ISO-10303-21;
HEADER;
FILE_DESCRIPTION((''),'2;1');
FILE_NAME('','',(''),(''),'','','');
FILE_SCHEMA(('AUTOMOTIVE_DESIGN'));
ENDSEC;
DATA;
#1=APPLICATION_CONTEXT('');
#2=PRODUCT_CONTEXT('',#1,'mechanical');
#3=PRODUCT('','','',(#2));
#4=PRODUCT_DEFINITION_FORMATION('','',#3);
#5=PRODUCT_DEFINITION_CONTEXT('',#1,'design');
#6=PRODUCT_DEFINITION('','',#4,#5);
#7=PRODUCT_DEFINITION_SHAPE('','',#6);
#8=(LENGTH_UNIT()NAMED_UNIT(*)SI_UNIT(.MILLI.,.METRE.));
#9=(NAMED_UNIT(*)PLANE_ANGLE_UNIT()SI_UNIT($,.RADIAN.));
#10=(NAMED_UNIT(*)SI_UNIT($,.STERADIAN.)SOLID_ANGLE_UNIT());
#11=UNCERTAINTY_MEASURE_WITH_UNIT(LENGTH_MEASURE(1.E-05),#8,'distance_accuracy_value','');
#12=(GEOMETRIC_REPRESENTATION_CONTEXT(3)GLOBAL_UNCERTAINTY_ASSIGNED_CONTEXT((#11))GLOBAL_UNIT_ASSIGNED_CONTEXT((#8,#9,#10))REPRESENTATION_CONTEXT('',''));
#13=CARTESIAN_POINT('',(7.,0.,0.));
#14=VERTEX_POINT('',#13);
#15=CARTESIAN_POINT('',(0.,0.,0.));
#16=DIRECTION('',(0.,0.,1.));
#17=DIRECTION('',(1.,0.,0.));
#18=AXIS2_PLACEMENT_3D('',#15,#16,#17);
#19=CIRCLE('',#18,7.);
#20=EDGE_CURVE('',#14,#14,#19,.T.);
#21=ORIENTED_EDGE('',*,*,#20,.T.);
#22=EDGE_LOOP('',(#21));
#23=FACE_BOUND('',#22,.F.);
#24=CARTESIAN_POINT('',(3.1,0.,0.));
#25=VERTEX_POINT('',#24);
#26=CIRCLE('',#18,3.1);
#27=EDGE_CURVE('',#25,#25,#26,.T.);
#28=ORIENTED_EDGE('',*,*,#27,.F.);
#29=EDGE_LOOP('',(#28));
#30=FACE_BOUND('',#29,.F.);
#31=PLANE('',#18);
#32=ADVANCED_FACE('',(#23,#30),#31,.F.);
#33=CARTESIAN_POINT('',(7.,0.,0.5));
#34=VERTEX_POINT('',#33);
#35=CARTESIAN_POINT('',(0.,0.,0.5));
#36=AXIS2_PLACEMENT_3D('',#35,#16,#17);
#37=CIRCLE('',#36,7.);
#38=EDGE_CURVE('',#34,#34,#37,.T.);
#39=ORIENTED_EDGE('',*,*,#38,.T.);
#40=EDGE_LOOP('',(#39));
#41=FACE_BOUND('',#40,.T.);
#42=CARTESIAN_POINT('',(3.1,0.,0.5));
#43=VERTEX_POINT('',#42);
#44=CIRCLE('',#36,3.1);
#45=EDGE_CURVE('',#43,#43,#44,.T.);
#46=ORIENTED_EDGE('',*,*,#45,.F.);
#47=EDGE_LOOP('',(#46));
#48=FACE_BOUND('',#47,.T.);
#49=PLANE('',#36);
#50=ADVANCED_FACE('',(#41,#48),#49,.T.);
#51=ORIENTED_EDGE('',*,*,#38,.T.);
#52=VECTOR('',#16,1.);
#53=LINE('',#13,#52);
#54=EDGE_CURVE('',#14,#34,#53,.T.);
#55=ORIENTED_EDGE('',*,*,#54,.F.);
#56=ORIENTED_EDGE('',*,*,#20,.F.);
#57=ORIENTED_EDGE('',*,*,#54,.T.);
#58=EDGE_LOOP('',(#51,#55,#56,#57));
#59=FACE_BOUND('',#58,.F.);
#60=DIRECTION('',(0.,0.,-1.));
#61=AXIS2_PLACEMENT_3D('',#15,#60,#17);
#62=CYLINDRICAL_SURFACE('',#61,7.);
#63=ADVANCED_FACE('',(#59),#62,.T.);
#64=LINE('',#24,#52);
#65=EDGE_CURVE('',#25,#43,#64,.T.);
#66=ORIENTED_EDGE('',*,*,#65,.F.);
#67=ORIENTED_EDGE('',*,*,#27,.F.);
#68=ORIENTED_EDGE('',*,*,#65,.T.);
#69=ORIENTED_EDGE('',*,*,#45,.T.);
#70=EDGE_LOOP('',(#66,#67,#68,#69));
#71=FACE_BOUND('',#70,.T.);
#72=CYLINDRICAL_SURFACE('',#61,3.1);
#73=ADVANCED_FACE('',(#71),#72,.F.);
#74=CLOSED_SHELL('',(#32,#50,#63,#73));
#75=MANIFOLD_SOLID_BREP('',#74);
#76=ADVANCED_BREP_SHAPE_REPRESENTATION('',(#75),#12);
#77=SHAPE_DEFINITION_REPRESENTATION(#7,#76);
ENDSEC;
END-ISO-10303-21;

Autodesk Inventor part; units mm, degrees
ref_plane "YZ Plane" through (0, 0, 0) normal (1, 0, 0) x (0, 1, 0)
ref_plane "XZ Plane" through (0, 0, 0) normal (0, 1, 0) x (-1, 0, 0)
ref_plane "XY Plane" through (0, 0, 0) normal (0, 0, 1) x (1, 0, 0)
sketch "スケッチ1" plane through (0, 0, 0) normal (0, 0, 1) x (1, 0, 0)
  circle A0 centre (0, 0) radius 3.1
  circle A1 centre (0, 0) radius 7
  dimension "d0" = 6.2
  dimension "d1" = 14
extrude "押し出し1" add sketch "スケッチ1" along normal blind 0.5
properties part number "UUW-0614-05H" material "ステンレス鋼 AISI 304"
